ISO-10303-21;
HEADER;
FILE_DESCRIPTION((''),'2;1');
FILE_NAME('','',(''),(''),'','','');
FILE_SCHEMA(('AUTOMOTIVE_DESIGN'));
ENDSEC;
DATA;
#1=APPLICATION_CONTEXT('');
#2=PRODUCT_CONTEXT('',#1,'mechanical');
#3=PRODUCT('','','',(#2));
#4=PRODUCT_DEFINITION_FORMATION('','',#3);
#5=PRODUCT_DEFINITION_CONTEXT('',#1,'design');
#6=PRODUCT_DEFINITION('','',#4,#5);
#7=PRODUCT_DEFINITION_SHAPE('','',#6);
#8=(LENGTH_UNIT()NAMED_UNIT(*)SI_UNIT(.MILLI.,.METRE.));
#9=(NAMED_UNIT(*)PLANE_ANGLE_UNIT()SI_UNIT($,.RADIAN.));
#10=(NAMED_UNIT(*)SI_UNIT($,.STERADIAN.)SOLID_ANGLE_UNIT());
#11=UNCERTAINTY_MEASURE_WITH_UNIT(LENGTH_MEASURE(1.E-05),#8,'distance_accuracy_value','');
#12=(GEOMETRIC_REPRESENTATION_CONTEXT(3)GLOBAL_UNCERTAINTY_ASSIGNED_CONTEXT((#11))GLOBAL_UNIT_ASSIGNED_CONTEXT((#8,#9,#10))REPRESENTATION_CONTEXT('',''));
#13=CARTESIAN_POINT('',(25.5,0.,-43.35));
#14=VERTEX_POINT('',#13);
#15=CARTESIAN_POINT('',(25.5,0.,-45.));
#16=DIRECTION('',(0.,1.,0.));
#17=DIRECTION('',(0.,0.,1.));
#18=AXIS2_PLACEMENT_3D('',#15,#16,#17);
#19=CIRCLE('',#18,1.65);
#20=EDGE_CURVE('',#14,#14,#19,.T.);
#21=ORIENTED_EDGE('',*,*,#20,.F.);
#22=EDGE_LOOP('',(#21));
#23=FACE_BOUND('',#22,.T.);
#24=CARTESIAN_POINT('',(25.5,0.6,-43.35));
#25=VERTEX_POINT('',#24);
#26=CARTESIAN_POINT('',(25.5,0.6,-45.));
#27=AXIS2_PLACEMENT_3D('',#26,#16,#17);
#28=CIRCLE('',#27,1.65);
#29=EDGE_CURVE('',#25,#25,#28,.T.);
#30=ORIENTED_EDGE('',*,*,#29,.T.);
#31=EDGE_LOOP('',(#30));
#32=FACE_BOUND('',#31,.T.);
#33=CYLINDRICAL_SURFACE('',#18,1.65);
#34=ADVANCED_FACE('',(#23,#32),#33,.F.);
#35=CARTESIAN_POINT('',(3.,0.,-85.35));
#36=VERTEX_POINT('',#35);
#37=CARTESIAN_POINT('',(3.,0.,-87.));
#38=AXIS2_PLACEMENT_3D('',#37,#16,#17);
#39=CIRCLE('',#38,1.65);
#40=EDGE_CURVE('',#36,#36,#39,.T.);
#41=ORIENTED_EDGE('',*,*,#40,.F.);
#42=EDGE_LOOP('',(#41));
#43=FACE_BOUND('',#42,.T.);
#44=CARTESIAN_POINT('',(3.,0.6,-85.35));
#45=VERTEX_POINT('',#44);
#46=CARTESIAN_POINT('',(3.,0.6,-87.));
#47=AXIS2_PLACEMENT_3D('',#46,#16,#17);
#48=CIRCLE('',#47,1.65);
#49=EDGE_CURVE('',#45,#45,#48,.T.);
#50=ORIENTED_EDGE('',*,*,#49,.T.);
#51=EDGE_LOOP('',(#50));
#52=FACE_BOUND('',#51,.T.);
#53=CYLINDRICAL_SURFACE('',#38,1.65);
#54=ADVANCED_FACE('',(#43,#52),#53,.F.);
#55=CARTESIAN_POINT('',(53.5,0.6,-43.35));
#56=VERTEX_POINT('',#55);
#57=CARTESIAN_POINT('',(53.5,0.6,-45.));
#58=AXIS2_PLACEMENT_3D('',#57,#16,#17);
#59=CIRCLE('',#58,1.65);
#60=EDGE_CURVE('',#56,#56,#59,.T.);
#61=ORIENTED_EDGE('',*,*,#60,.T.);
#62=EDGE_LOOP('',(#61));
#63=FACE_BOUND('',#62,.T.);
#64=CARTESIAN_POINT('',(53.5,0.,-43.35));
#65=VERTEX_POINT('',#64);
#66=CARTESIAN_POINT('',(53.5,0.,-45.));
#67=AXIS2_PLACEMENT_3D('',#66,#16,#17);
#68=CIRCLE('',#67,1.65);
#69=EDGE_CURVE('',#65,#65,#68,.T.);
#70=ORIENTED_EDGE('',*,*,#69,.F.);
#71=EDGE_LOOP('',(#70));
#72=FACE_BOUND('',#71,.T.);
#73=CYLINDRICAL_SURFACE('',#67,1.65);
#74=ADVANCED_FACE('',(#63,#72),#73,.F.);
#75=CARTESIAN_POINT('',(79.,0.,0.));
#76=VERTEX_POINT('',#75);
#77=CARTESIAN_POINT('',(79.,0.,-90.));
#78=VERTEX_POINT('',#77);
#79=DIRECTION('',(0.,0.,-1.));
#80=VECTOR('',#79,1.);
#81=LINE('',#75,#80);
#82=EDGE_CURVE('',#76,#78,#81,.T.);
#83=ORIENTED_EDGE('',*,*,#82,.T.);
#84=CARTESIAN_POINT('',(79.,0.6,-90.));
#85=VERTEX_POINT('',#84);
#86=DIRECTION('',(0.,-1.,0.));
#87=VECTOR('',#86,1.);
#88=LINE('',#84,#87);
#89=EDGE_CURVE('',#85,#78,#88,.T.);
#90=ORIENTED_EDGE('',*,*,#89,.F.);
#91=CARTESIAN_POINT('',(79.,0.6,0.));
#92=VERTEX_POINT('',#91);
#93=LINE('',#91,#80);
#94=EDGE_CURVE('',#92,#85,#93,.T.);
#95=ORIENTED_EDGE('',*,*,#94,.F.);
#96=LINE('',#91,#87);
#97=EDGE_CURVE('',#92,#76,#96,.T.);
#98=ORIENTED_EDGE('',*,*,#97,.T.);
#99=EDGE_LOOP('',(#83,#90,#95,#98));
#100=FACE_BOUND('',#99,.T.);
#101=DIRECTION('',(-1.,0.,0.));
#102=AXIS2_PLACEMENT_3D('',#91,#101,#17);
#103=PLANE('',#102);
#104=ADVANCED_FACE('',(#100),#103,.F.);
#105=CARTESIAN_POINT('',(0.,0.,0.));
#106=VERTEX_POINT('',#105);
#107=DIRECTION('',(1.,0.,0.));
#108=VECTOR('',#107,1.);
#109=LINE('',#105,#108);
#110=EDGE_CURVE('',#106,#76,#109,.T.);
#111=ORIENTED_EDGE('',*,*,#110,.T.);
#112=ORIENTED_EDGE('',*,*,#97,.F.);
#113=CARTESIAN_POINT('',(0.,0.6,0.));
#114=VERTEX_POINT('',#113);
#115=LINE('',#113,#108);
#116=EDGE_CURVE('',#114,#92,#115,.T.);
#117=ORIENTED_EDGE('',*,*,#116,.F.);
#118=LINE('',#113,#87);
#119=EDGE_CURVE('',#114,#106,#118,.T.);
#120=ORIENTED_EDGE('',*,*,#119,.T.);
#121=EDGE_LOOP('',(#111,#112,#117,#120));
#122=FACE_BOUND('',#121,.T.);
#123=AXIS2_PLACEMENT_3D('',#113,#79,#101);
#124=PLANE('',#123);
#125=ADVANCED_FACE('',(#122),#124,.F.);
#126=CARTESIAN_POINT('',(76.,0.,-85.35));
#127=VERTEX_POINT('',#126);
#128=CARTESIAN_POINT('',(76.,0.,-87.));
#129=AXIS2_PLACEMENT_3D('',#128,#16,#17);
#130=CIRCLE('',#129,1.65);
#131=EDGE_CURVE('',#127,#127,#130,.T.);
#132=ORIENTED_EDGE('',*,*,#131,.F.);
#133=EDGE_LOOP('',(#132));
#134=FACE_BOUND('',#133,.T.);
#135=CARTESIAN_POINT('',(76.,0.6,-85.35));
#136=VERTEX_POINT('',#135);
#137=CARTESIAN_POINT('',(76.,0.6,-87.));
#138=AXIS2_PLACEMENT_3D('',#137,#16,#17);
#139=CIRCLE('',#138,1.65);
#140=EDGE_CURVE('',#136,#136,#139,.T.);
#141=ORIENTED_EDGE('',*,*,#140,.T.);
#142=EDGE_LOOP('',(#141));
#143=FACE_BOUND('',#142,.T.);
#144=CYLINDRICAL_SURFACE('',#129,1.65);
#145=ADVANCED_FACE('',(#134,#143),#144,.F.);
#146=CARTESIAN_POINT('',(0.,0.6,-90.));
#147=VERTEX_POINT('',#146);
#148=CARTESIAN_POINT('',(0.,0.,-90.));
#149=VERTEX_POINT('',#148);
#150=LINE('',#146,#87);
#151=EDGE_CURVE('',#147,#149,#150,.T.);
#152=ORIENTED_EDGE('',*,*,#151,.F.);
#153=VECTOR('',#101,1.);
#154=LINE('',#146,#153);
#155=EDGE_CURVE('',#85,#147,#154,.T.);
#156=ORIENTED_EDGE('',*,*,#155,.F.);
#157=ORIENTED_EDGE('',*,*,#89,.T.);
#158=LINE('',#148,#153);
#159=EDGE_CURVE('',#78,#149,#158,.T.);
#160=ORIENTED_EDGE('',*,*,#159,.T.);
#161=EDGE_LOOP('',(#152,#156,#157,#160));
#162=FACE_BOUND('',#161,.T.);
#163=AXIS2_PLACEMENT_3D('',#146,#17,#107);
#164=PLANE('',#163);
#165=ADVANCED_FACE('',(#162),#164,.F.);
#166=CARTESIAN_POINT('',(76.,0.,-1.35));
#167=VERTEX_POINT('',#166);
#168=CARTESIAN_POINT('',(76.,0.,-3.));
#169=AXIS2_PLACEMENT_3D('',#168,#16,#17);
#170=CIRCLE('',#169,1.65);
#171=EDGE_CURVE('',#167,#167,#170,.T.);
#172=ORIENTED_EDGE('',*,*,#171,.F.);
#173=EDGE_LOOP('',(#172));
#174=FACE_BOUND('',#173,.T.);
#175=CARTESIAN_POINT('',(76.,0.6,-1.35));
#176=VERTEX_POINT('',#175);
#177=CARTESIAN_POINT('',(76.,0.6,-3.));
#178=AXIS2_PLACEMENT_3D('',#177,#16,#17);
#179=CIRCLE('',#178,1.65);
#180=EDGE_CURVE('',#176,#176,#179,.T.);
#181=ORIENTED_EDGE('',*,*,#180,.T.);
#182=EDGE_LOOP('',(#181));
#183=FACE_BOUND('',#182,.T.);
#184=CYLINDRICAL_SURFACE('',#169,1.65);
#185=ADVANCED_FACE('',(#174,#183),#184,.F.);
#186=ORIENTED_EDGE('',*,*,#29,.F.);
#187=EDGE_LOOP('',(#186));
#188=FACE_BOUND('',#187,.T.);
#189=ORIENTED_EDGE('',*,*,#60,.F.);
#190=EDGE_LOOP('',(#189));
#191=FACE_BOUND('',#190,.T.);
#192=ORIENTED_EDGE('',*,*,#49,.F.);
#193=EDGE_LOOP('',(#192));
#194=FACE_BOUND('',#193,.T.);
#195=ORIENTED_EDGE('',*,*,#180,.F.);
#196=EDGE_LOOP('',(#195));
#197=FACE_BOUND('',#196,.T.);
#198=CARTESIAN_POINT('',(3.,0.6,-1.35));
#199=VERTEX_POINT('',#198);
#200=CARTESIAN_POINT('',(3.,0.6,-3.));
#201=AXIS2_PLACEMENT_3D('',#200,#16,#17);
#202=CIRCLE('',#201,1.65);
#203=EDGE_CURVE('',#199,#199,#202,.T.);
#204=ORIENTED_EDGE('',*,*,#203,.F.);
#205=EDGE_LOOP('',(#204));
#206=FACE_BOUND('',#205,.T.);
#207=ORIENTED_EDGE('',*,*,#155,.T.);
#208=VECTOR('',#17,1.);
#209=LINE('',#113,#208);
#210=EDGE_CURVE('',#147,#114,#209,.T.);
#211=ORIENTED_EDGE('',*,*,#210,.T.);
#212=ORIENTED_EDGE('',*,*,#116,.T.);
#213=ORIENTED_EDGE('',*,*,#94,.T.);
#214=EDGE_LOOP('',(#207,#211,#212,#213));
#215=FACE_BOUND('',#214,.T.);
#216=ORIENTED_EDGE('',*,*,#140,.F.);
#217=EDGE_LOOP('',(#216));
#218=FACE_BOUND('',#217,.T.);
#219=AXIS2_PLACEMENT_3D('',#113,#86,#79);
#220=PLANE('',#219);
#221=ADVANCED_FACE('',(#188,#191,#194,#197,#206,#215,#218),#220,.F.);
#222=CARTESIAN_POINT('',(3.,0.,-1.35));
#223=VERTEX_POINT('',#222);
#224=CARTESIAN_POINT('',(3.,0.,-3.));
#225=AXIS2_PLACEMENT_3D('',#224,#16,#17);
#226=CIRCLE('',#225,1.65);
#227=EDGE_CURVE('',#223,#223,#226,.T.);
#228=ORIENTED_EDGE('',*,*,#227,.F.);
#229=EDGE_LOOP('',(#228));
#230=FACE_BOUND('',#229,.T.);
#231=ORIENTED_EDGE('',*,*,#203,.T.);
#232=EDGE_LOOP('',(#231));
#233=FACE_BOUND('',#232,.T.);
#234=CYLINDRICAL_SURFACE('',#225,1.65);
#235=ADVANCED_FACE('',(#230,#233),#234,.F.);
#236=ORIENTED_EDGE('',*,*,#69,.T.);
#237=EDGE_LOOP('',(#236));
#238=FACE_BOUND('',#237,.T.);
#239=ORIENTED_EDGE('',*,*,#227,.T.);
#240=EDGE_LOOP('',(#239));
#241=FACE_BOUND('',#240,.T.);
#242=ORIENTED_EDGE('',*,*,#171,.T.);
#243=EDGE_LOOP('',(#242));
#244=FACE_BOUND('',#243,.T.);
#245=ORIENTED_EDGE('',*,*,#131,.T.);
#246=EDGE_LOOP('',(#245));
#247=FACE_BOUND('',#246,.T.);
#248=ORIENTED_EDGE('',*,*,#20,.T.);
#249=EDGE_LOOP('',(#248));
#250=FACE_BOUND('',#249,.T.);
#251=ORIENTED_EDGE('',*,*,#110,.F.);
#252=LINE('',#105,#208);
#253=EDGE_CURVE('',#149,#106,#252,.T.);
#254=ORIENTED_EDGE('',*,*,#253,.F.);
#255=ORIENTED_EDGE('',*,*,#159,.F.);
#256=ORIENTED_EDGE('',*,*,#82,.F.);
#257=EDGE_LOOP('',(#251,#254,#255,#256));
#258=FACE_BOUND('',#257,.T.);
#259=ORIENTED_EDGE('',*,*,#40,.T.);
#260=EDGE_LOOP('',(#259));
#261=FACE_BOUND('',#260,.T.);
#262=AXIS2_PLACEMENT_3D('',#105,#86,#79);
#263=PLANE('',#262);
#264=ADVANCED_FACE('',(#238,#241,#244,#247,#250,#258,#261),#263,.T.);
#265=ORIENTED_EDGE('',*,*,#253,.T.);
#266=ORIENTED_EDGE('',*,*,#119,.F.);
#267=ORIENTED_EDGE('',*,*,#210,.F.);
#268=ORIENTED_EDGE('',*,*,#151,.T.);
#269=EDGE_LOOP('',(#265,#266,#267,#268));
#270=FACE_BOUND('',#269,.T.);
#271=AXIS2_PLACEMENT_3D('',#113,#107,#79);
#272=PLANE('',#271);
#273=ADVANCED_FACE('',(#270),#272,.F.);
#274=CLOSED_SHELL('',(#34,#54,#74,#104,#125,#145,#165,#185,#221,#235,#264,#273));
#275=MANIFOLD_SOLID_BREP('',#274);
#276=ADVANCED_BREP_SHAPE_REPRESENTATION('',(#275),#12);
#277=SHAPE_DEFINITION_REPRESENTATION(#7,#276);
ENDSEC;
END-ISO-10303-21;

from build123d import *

# Parameters (mm, degrees)
SKETCH1_W           = 79
SKETCH1_H           = 90
BOSS_EXTRUDE1_DEPTH = 0.6
SKETCH2_R           = 1.65
CUT_EXTRUDE1_DEPTH  = 120.755417414


with BuildPart() as part:
    # Sketch1 → Boss-Extrude1 (new body)
    with BuildSketch(Plane(origin=(0, 0, 0), x_dir=(1, 0, 0), z_dir=(0, 1, 0))):
        with Locations((39.5, 45)):
            Rectangle(SKETCH1_W, SKETCH1_H)
    extrude(amount=BOSS_EXTRUDE1_DEPTH)

    # Sketch2 → Cut-Extrude1 (cut, through all)
    with BuildSketch(Plane(origin=(0, 0.6, 0), x_dir=(1, 0, 0), z_dir=(0, 1, 0))):
        with Locations(Location((3, 87, 0), (0, 0, 270))):
            Circle(SKETCH2_R)
        with Locations(Location((76, 87, 0), (0, 0, 270))):
            Circle(SKETCH2_R)
        with Locations(Location((53.5, 45, 0), (0, 0, 270))):
            Circle(SKETCH2_R)
        with Locations(Location((25.5, 45, 0), (0, 0, 270))):
            Circle(SKETCH2_R)
        with Locations(Location((76, 3, 0), (0, 0, 270))):
            Circle(SKETCH2_R)
        with Locations(Location((3, 3, 0), (0, 0, 270))):
            Circle(SKETCH2_R)
    extrude(amount=-CUT_EXTRUDE1_DEPTH, mode=Mode.SUBTRACT)


solid = part.part
